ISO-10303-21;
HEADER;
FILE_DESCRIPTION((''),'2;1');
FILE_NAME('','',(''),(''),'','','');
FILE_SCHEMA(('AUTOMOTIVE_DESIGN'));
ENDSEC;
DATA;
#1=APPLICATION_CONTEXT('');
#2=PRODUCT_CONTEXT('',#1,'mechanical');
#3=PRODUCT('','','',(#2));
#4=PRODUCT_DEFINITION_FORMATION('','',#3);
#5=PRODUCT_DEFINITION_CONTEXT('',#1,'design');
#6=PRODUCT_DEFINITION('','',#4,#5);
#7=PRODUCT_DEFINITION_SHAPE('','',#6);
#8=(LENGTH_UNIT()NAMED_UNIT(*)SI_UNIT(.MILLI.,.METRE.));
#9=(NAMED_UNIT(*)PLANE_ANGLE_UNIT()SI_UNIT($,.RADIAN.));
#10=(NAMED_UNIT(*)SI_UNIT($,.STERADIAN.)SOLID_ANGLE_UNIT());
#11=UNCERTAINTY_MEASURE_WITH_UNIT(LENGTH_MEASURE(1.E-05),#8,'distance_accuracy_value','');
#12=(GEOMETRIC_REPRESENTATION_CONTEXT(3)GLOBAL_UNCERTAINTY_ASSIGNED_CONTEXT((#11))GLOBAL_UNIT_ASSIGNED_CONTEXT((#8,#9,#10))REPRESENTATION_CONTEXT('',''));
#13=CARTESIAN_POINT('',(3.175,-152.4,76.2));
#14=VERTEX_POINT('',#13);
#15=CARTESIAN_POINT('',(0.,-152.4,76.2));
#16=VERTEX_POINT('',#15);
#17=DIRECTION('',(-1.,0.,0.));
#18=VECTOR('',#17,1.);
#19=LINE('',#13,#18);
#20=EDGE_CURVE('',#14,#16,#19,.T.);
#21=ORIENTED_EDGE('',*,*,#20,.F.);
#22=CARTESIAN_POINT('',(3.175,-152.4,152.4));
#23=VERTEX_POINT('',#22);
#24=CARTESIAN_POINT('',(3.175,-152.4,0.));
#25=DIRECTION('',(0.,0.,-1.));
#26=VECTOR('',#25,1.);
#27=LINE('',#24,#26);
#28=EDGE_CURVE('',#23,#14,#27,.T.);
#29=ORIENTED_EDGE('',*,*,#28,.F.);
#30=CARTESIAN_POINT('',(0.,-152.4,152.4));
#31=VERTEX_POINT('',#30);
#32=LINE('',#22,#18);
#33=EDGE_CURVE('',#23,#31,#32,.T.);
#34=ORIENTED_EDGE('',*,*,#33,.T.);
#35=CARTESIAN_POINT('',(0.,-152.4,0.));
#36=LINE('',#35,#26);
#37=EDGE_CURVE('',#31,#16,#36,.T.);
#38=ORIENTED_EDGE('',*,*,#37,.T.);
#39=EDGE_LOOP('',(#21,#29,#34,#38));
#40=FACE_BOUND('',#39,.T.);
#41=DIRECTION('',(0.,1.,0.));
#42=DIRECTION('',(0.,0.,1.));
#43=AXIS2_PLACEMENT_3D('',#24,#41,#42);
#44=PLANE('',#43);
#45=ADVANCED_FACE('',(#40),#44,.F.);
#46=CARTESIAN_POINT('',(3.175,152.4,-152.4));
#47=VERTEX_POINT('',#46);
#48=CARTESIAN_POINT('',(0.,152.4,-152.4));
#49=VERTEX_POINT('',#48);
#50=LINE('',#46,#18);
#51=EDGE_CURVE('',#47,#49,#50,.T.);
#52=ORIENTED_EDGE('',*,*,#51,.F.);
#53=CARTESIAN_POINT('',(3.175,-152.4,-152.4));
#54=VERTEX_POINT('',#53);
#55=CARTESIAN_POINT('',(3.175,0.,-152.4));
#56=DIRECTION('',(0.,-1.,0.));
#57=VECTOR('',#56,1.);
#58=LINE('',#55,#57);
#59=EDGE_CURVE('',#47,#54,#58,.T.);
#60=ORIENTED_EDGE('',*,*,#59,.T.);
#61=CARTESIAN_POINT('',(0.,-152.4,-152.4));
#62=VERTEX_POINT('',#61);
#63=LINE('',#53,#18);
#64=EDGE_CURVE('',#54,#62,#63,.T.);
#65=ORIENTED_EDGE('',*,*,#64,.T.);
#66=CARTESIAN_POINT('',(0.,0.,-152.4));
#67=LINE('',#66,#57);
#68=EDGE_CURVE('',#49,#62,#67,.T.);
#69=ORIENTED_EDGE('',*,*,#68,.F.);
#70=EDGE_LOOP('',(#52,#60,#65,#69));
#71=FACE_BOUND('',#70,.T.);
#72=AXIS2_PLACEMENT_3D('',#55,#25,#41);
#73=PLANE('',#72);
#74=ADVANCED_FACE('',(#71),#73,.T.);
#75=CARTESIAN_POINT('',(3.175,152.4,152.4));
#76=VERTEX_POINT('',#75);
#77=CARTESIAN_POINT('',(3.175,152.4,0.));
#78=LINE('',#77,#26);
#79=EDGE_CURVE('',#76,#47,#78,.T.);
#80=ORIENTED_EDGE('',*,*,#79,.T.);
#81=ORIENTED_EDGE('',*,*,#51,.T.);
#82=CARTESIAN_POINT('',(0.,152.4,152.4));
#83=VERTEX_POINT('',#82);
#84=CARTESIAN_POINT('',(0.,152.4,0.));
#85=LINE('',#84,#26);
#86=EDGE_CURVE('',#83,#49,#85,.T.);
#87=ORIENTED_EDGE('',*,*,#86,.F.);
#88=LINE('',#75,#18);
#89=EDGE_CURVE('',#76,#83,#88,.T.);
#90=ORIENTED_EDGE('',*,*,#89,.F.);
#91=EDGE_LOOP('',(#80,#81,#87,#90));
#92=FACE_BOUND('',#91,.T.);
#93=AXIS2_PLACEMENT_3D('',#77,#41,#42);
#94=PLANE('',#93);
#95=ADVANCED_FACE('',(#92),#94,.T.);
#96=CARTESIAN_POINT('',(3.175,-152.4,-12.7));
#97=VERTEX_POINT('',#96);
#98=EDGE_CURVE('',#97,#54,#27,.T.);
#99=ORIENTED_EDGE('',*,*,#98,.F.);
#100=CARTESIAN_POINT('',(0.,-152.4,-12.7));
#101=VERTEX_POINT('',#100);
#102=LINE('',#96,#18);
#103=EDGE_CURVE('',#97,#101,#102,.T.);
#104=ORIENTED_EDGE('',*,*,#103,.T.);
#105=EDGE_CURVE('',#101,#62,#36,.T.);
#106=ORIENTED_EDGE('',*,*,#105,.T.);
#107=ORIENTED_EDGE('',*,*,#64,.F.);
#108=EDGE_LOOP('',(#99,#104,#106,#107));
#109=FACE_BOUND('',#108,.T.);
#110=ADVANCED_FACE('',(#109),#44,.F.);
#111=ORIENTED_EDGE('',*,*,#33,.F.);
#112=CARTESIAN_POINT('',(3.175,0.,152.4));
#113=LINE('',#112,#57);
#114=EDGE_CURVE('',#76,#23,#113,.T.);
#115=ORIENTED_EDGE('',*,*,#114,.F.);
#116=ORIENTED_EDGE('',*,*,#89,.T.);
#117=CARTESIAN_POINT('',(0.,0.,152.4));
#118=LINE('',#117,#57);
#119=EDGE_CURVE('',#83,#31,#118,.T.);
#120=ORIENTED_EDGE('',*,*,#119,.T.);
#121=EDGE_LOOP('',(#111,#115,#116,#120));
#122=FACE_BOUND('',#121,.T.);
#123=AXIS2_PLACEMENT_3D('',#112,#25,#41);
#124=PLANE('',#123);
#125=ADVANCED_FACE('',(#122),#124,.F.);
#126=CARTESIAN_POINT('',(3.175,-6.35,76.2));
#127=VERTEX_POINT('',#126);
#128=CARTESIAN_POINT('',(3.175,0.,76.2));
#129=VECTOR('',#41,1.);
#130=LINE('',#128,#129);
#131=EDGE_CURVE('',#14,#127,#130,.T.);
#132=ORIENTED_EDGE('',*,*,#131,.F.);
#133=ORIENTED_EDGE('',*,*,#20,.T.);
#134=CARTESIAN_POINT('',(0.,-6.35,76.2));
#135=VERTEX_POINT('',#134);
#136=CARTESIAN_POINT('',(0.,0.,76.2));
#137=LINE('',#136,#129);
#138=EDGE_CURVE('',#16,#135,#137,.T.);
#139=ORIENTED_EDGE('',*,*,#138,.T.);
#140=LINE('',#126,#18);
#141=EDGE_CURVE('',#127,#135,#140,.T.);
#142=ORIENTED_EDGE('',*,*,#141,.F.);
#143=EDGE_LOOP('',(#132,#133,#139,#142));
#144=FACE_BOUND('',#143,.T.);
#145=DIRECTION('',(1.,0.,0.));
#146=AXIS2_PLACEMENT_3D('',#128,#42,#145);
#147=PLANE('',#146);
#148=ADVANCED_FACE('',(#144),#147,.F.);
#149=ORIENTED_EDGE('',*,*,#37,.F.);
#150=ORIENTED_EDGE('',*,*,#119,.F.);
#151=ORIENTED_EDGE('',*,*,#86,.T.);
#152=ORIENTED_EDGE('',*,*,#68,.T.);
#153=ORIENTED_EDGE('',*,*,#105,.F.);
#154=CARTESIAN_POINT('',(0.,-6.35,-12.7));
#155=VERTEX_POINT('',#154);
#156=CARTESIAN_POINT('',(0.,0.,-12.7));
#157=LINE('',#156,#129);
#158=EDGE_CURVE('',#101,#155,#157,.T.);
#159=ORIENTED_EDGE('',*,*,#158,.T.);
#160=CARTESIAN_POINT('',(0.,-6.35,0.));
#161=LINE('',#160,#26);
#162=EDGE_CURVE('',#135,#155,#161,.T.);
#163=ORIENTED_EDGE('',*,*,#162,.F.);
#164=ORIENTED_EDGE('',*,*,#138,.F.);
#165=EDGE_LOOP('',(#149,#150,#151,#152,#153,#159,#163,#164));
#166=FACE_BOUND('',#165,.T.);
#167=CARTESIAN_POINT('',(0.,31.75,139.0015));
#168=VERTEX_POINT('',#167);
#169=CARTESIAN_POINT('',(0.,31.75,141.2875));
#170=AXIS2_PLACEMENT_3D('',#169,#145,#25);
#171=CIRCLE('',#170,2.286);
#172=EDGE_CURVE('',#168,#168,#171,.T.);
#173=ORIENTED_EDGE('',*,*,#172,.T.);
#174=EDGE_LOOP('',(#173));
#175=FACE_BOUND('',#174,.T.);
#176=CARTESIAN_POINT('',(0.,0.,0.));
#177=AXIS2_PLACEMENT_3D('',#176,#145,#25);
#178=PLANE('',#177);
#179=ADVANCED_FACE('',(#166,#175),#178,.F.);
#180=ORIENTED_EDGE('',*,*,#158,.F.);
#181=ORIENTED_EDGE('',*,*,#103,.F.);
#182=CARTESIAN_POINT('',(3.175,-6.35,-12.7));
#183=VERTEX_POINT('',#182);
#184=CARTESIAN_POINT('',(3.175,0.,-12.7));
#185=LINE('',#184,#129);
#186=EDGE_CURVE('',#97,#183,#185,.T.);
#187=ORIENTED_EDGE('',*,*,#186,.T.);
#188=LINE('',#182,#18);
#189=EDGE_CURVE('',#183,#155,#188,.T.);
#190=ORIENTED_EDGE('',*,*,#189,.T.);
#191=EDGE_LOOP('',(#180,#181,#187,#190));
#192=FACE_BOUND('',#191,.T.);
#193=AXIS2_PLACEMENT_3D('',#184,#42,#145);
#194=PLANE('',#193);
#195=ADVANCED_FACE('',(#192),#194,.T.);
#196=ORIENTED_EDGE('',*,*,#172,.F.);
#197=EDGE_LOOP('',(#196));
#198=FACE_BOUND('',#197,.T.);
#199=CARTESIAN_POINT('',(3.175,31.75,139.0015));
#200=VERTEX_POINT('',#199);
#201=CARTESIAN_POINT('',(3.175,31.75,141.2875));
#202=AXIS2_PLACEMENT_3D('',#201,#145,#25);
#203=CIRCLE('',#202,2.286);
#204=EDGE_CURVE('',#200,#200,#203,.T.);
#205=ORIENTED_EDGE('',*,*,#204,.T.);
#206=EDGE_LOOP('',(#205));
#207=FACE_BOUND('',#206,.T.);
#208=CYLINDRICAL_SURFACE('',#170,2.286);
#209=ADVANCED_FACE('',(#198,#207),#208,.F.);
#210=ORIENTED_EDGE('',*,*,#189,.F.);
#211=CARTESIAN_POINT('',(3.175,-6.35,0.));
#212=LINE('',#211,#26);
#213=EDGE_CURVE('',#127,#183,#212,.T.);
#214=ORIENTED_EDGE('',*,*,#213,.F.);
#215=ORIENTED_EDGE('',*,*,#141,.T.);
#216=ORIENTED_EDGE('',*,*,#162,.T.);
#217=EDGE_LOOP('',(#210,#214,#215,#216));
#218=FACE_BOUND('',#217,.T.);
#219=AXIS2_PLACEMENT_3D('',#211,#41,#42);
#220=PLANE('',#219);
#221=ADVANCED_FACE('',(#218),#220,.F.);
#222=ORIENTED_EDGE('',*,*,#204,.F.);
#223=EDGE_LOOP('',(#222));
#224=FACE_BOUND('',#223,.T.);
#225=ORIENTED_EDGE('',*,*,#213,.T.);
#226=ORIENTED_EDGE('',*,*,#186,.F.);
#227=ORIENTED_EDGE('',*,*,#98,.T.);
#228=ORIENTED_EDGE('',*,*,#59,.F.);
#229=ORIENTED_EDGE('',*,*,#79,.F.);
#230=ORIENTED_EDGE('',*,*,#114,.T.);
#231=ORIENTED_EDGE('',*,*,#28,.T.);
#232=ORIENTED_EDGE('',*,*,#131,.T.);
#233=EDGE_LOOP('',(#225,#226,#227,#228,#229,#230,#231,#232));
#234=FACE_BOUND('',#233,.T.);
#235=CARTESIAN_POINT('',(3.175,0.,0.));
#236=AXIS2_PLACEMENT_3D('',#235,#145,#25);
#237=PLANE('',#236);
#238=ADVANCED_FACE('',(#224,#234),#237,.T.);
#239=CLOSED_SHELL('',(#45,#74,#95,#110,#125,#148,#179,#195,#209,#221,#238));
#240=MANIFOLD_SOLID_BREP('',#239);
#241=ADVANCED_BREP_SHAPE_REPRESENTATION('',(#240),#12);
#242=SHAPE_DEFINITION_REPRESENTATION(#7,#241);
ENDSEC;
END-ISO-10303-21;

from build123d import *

# Parameters (mm, degrees)
BOSS_EXTRUDE1_DEPTH = 3.175
SKETCH2_R           = 2.286
CUT_EXTRUDE1_DEPTH  = 216.549531721


with BuildPart() as part:
    # Sketch1 → Boss-Extrude1 (new body)
    with BuildSketch(Plane(origin=(0, 0, 0), x_dir=(0, 0, -1), z_dir=(1, 0, 0))):
        Polygon((152.4, 152.4), (-152.4, 152.4), (-152.4, -152.4), (-76.2, -152.4), (-76.2, -6.35), (12.7, -6.35), (12.7, -152.4), (152.4, -152.4), align=None)
    extrude(amount=BOSS_EXTRUDE1_DEPTH)

    # Sketch2 → Cut-Extrude1 (cut, through all)
    with BuildSketch(Plane(origin=(3.175, 0, 0), x_dir=(0, 0, -1), z_dir=(1, 0, 0))):
        with Locations((-141.2875, 31.75)):
            Circle(SKETCH2_R)
    extrude(amount=-CUT_EXTRUDE1_DEPTH, mode=Mode.SUBTRACT)


solid = part.part
